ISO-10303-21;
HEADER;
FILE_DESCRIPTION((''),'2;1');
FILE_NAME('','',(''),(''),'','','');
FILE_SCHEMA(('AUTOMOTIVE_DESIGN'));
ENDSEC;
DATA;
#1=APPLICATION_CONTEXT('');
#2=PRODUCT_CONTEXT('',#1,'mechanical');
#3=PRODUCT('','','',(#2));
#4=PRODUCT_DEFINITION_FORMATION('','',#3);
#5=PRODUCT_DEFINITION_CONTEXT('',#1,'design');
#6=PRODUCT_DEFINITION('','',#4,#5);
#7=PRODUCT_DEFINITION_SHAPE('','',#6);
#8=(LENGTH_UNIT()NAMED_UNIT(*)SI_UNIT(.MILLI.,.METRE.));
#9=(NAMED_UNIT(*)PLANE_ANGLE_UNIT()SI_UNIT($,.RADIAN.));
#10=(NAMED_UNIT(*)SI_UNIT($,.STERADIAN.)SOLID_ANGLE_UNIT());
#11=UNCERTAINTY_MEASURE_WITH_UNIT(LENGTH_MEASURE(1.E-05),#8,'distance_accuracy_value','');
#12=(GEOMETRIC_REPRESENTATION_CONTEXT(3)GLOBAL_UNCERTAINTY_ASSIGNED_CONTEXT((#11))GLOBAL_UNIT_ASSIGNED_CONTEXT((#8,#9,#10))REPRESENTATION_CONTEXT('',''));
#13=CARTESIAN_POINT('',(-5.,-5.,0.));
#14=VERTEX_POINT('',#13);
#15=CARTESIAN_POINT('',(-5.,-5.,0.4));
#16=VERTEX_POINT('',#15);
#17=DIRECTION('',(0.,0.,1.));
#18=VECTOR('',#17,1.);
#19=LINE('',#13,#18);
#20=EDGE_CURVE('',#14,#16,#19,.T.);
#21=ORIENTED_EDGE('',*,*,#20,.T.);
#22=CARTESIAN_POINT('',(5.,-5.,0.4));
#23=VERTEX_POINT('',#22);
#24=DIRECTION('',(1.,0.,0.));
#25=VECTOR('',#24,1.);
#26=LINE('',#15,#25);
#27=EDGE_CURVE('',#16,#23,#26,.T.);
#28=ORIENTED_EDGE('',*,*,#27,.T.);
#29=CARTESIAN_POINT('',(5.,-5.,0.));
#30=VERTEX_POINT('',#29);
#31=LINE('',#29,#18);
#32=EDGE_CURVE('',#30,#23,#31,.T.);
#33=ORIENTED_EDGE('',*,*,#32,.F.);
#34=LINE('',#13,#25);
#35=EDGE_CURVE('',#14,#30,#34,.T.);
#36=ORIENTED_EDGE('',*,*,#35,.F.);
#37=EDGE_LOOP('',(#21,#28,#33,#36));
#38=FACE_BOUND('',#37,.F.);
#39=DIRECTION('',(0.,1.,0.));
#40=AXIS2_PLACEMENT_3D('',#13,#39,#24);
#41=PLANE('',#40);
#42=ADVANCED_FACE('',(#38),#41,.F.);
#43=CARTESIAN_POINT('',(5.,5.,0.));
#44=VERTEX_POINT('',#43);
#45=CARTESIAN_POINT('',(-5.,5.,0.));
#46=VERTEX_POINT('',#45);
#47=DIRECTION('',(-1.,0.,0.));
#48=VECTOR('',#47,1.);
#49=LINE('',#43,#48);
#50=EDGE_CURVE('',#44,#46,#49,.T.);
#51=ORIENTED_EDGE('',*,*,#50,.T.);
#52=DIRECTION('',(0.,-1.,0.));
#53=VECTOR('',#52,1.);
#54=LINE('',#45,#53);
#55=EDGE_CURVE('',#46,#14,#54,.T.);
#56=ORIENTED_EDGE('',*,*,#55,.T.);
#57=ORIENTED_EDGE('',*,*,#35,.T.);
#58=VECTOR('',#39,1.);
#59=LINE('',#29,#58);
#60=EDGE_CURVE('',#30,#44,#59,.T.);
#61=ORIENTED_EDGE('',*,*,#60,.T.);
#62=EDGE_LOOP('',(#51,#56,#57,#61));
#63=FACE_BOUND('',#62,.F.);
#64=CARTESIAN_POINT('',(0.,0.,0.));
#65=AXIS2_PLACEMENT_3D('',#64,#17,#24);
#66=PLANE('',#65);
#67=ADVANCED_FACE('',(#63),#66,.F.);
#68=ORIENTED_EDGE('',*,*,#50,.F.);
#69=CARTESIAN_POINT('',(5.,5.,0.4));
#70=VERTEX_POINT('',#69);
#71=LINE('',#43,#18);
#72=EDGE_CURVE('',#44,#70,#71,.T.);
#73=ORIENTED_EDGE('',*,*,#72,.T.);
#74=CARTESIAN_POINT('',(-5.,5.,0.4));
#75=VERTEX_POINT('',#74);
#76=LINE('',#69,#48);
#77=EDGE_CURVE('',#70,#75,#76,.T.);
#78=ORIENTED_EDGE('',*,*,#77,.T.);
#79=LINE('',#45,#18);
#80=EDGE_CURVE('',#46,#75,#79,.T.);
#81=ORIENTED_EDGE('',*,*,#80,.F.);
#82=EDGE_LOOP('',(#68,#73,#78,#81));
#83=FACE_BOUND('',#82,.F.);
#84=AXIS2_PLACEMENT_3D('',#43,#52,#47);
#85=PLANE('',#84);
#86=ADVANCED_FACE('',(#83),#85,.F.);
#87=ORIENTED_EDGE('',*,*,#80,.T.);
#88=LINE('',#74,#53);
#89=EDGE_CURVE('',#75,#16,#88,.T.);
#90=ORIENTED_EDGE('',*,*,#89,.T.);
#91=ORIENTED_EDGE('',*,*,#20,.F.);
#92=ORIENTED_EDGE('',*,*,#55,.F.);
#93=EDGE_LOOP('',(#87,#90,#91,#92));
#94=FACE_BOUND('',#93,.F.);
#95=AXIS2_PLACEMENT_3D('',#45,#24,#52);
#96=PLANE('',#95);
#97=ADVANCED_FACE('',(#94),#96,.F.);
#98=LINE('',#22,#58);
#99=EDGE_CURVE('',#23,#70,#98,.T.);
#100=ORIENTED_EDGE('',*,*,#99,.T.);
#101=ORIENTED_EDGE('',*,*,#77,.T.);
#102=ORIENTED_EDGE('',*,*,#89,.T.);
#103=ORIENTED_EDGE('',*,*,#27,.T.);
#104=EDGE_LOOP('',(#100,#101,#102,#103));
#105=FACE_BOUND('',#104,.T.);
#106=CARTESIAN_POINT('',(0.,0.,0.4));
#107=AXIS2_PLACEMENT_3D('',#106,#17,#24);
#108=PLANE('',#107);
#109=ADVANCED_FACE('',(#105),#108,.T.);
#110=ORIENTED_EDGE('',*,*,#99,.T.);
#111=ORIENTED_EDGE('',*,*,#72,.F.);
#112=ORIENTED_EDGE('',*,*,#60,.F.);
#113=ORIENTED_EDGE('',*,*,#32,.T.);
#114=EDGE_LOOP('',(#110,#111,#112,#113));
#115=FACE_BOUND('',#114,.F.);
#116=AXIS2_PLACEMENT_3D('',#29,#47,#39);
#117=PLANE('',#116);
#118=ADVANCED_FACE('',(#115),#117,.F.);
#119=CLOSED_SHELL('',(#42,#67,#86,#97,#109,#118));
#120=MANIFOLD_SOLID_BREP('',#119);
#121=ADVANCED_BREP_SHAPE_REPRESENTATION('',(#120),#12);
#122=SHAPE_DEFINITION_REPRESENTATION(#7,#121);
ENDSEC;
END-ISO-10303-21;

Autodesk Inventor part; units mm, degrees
ref_plane "YZ Plane" through (0, 0, 0) normal (1, 0, 0) x (0, 1, 0)
ref_plane "XZ Plane" through (0, 0, 0) normal (0, 1, 0) x (-1, 0, 0)
ref_plane "XY Plane" through (0, 0, 0) normal (0, 0, 1) x (1, 0, 0)
sketch "Sketch1" plane through (0, 0, 0) normal (0, 0, 1) x (1, 0, 0)
  line L0 (-5, -5) -> (5, -5)
  line L1 (5, -5) -> (5, 5)
  line L2 (5, 5) -> (-5, 5)
  line L3 (-5, 5) -> (-5, -5)
  line L4 (-5, -5) -> (5, 5) construction
  line L5 (5, -5) -> (-5, 5) construction
  point P0 (0, 0)
  dimension "d0" = 10
  dimension "d1" = 10
extrude "Extrusion1" add sketch "Sketch1" along normal blind 0.4
properties part number "nv_FILTER"
